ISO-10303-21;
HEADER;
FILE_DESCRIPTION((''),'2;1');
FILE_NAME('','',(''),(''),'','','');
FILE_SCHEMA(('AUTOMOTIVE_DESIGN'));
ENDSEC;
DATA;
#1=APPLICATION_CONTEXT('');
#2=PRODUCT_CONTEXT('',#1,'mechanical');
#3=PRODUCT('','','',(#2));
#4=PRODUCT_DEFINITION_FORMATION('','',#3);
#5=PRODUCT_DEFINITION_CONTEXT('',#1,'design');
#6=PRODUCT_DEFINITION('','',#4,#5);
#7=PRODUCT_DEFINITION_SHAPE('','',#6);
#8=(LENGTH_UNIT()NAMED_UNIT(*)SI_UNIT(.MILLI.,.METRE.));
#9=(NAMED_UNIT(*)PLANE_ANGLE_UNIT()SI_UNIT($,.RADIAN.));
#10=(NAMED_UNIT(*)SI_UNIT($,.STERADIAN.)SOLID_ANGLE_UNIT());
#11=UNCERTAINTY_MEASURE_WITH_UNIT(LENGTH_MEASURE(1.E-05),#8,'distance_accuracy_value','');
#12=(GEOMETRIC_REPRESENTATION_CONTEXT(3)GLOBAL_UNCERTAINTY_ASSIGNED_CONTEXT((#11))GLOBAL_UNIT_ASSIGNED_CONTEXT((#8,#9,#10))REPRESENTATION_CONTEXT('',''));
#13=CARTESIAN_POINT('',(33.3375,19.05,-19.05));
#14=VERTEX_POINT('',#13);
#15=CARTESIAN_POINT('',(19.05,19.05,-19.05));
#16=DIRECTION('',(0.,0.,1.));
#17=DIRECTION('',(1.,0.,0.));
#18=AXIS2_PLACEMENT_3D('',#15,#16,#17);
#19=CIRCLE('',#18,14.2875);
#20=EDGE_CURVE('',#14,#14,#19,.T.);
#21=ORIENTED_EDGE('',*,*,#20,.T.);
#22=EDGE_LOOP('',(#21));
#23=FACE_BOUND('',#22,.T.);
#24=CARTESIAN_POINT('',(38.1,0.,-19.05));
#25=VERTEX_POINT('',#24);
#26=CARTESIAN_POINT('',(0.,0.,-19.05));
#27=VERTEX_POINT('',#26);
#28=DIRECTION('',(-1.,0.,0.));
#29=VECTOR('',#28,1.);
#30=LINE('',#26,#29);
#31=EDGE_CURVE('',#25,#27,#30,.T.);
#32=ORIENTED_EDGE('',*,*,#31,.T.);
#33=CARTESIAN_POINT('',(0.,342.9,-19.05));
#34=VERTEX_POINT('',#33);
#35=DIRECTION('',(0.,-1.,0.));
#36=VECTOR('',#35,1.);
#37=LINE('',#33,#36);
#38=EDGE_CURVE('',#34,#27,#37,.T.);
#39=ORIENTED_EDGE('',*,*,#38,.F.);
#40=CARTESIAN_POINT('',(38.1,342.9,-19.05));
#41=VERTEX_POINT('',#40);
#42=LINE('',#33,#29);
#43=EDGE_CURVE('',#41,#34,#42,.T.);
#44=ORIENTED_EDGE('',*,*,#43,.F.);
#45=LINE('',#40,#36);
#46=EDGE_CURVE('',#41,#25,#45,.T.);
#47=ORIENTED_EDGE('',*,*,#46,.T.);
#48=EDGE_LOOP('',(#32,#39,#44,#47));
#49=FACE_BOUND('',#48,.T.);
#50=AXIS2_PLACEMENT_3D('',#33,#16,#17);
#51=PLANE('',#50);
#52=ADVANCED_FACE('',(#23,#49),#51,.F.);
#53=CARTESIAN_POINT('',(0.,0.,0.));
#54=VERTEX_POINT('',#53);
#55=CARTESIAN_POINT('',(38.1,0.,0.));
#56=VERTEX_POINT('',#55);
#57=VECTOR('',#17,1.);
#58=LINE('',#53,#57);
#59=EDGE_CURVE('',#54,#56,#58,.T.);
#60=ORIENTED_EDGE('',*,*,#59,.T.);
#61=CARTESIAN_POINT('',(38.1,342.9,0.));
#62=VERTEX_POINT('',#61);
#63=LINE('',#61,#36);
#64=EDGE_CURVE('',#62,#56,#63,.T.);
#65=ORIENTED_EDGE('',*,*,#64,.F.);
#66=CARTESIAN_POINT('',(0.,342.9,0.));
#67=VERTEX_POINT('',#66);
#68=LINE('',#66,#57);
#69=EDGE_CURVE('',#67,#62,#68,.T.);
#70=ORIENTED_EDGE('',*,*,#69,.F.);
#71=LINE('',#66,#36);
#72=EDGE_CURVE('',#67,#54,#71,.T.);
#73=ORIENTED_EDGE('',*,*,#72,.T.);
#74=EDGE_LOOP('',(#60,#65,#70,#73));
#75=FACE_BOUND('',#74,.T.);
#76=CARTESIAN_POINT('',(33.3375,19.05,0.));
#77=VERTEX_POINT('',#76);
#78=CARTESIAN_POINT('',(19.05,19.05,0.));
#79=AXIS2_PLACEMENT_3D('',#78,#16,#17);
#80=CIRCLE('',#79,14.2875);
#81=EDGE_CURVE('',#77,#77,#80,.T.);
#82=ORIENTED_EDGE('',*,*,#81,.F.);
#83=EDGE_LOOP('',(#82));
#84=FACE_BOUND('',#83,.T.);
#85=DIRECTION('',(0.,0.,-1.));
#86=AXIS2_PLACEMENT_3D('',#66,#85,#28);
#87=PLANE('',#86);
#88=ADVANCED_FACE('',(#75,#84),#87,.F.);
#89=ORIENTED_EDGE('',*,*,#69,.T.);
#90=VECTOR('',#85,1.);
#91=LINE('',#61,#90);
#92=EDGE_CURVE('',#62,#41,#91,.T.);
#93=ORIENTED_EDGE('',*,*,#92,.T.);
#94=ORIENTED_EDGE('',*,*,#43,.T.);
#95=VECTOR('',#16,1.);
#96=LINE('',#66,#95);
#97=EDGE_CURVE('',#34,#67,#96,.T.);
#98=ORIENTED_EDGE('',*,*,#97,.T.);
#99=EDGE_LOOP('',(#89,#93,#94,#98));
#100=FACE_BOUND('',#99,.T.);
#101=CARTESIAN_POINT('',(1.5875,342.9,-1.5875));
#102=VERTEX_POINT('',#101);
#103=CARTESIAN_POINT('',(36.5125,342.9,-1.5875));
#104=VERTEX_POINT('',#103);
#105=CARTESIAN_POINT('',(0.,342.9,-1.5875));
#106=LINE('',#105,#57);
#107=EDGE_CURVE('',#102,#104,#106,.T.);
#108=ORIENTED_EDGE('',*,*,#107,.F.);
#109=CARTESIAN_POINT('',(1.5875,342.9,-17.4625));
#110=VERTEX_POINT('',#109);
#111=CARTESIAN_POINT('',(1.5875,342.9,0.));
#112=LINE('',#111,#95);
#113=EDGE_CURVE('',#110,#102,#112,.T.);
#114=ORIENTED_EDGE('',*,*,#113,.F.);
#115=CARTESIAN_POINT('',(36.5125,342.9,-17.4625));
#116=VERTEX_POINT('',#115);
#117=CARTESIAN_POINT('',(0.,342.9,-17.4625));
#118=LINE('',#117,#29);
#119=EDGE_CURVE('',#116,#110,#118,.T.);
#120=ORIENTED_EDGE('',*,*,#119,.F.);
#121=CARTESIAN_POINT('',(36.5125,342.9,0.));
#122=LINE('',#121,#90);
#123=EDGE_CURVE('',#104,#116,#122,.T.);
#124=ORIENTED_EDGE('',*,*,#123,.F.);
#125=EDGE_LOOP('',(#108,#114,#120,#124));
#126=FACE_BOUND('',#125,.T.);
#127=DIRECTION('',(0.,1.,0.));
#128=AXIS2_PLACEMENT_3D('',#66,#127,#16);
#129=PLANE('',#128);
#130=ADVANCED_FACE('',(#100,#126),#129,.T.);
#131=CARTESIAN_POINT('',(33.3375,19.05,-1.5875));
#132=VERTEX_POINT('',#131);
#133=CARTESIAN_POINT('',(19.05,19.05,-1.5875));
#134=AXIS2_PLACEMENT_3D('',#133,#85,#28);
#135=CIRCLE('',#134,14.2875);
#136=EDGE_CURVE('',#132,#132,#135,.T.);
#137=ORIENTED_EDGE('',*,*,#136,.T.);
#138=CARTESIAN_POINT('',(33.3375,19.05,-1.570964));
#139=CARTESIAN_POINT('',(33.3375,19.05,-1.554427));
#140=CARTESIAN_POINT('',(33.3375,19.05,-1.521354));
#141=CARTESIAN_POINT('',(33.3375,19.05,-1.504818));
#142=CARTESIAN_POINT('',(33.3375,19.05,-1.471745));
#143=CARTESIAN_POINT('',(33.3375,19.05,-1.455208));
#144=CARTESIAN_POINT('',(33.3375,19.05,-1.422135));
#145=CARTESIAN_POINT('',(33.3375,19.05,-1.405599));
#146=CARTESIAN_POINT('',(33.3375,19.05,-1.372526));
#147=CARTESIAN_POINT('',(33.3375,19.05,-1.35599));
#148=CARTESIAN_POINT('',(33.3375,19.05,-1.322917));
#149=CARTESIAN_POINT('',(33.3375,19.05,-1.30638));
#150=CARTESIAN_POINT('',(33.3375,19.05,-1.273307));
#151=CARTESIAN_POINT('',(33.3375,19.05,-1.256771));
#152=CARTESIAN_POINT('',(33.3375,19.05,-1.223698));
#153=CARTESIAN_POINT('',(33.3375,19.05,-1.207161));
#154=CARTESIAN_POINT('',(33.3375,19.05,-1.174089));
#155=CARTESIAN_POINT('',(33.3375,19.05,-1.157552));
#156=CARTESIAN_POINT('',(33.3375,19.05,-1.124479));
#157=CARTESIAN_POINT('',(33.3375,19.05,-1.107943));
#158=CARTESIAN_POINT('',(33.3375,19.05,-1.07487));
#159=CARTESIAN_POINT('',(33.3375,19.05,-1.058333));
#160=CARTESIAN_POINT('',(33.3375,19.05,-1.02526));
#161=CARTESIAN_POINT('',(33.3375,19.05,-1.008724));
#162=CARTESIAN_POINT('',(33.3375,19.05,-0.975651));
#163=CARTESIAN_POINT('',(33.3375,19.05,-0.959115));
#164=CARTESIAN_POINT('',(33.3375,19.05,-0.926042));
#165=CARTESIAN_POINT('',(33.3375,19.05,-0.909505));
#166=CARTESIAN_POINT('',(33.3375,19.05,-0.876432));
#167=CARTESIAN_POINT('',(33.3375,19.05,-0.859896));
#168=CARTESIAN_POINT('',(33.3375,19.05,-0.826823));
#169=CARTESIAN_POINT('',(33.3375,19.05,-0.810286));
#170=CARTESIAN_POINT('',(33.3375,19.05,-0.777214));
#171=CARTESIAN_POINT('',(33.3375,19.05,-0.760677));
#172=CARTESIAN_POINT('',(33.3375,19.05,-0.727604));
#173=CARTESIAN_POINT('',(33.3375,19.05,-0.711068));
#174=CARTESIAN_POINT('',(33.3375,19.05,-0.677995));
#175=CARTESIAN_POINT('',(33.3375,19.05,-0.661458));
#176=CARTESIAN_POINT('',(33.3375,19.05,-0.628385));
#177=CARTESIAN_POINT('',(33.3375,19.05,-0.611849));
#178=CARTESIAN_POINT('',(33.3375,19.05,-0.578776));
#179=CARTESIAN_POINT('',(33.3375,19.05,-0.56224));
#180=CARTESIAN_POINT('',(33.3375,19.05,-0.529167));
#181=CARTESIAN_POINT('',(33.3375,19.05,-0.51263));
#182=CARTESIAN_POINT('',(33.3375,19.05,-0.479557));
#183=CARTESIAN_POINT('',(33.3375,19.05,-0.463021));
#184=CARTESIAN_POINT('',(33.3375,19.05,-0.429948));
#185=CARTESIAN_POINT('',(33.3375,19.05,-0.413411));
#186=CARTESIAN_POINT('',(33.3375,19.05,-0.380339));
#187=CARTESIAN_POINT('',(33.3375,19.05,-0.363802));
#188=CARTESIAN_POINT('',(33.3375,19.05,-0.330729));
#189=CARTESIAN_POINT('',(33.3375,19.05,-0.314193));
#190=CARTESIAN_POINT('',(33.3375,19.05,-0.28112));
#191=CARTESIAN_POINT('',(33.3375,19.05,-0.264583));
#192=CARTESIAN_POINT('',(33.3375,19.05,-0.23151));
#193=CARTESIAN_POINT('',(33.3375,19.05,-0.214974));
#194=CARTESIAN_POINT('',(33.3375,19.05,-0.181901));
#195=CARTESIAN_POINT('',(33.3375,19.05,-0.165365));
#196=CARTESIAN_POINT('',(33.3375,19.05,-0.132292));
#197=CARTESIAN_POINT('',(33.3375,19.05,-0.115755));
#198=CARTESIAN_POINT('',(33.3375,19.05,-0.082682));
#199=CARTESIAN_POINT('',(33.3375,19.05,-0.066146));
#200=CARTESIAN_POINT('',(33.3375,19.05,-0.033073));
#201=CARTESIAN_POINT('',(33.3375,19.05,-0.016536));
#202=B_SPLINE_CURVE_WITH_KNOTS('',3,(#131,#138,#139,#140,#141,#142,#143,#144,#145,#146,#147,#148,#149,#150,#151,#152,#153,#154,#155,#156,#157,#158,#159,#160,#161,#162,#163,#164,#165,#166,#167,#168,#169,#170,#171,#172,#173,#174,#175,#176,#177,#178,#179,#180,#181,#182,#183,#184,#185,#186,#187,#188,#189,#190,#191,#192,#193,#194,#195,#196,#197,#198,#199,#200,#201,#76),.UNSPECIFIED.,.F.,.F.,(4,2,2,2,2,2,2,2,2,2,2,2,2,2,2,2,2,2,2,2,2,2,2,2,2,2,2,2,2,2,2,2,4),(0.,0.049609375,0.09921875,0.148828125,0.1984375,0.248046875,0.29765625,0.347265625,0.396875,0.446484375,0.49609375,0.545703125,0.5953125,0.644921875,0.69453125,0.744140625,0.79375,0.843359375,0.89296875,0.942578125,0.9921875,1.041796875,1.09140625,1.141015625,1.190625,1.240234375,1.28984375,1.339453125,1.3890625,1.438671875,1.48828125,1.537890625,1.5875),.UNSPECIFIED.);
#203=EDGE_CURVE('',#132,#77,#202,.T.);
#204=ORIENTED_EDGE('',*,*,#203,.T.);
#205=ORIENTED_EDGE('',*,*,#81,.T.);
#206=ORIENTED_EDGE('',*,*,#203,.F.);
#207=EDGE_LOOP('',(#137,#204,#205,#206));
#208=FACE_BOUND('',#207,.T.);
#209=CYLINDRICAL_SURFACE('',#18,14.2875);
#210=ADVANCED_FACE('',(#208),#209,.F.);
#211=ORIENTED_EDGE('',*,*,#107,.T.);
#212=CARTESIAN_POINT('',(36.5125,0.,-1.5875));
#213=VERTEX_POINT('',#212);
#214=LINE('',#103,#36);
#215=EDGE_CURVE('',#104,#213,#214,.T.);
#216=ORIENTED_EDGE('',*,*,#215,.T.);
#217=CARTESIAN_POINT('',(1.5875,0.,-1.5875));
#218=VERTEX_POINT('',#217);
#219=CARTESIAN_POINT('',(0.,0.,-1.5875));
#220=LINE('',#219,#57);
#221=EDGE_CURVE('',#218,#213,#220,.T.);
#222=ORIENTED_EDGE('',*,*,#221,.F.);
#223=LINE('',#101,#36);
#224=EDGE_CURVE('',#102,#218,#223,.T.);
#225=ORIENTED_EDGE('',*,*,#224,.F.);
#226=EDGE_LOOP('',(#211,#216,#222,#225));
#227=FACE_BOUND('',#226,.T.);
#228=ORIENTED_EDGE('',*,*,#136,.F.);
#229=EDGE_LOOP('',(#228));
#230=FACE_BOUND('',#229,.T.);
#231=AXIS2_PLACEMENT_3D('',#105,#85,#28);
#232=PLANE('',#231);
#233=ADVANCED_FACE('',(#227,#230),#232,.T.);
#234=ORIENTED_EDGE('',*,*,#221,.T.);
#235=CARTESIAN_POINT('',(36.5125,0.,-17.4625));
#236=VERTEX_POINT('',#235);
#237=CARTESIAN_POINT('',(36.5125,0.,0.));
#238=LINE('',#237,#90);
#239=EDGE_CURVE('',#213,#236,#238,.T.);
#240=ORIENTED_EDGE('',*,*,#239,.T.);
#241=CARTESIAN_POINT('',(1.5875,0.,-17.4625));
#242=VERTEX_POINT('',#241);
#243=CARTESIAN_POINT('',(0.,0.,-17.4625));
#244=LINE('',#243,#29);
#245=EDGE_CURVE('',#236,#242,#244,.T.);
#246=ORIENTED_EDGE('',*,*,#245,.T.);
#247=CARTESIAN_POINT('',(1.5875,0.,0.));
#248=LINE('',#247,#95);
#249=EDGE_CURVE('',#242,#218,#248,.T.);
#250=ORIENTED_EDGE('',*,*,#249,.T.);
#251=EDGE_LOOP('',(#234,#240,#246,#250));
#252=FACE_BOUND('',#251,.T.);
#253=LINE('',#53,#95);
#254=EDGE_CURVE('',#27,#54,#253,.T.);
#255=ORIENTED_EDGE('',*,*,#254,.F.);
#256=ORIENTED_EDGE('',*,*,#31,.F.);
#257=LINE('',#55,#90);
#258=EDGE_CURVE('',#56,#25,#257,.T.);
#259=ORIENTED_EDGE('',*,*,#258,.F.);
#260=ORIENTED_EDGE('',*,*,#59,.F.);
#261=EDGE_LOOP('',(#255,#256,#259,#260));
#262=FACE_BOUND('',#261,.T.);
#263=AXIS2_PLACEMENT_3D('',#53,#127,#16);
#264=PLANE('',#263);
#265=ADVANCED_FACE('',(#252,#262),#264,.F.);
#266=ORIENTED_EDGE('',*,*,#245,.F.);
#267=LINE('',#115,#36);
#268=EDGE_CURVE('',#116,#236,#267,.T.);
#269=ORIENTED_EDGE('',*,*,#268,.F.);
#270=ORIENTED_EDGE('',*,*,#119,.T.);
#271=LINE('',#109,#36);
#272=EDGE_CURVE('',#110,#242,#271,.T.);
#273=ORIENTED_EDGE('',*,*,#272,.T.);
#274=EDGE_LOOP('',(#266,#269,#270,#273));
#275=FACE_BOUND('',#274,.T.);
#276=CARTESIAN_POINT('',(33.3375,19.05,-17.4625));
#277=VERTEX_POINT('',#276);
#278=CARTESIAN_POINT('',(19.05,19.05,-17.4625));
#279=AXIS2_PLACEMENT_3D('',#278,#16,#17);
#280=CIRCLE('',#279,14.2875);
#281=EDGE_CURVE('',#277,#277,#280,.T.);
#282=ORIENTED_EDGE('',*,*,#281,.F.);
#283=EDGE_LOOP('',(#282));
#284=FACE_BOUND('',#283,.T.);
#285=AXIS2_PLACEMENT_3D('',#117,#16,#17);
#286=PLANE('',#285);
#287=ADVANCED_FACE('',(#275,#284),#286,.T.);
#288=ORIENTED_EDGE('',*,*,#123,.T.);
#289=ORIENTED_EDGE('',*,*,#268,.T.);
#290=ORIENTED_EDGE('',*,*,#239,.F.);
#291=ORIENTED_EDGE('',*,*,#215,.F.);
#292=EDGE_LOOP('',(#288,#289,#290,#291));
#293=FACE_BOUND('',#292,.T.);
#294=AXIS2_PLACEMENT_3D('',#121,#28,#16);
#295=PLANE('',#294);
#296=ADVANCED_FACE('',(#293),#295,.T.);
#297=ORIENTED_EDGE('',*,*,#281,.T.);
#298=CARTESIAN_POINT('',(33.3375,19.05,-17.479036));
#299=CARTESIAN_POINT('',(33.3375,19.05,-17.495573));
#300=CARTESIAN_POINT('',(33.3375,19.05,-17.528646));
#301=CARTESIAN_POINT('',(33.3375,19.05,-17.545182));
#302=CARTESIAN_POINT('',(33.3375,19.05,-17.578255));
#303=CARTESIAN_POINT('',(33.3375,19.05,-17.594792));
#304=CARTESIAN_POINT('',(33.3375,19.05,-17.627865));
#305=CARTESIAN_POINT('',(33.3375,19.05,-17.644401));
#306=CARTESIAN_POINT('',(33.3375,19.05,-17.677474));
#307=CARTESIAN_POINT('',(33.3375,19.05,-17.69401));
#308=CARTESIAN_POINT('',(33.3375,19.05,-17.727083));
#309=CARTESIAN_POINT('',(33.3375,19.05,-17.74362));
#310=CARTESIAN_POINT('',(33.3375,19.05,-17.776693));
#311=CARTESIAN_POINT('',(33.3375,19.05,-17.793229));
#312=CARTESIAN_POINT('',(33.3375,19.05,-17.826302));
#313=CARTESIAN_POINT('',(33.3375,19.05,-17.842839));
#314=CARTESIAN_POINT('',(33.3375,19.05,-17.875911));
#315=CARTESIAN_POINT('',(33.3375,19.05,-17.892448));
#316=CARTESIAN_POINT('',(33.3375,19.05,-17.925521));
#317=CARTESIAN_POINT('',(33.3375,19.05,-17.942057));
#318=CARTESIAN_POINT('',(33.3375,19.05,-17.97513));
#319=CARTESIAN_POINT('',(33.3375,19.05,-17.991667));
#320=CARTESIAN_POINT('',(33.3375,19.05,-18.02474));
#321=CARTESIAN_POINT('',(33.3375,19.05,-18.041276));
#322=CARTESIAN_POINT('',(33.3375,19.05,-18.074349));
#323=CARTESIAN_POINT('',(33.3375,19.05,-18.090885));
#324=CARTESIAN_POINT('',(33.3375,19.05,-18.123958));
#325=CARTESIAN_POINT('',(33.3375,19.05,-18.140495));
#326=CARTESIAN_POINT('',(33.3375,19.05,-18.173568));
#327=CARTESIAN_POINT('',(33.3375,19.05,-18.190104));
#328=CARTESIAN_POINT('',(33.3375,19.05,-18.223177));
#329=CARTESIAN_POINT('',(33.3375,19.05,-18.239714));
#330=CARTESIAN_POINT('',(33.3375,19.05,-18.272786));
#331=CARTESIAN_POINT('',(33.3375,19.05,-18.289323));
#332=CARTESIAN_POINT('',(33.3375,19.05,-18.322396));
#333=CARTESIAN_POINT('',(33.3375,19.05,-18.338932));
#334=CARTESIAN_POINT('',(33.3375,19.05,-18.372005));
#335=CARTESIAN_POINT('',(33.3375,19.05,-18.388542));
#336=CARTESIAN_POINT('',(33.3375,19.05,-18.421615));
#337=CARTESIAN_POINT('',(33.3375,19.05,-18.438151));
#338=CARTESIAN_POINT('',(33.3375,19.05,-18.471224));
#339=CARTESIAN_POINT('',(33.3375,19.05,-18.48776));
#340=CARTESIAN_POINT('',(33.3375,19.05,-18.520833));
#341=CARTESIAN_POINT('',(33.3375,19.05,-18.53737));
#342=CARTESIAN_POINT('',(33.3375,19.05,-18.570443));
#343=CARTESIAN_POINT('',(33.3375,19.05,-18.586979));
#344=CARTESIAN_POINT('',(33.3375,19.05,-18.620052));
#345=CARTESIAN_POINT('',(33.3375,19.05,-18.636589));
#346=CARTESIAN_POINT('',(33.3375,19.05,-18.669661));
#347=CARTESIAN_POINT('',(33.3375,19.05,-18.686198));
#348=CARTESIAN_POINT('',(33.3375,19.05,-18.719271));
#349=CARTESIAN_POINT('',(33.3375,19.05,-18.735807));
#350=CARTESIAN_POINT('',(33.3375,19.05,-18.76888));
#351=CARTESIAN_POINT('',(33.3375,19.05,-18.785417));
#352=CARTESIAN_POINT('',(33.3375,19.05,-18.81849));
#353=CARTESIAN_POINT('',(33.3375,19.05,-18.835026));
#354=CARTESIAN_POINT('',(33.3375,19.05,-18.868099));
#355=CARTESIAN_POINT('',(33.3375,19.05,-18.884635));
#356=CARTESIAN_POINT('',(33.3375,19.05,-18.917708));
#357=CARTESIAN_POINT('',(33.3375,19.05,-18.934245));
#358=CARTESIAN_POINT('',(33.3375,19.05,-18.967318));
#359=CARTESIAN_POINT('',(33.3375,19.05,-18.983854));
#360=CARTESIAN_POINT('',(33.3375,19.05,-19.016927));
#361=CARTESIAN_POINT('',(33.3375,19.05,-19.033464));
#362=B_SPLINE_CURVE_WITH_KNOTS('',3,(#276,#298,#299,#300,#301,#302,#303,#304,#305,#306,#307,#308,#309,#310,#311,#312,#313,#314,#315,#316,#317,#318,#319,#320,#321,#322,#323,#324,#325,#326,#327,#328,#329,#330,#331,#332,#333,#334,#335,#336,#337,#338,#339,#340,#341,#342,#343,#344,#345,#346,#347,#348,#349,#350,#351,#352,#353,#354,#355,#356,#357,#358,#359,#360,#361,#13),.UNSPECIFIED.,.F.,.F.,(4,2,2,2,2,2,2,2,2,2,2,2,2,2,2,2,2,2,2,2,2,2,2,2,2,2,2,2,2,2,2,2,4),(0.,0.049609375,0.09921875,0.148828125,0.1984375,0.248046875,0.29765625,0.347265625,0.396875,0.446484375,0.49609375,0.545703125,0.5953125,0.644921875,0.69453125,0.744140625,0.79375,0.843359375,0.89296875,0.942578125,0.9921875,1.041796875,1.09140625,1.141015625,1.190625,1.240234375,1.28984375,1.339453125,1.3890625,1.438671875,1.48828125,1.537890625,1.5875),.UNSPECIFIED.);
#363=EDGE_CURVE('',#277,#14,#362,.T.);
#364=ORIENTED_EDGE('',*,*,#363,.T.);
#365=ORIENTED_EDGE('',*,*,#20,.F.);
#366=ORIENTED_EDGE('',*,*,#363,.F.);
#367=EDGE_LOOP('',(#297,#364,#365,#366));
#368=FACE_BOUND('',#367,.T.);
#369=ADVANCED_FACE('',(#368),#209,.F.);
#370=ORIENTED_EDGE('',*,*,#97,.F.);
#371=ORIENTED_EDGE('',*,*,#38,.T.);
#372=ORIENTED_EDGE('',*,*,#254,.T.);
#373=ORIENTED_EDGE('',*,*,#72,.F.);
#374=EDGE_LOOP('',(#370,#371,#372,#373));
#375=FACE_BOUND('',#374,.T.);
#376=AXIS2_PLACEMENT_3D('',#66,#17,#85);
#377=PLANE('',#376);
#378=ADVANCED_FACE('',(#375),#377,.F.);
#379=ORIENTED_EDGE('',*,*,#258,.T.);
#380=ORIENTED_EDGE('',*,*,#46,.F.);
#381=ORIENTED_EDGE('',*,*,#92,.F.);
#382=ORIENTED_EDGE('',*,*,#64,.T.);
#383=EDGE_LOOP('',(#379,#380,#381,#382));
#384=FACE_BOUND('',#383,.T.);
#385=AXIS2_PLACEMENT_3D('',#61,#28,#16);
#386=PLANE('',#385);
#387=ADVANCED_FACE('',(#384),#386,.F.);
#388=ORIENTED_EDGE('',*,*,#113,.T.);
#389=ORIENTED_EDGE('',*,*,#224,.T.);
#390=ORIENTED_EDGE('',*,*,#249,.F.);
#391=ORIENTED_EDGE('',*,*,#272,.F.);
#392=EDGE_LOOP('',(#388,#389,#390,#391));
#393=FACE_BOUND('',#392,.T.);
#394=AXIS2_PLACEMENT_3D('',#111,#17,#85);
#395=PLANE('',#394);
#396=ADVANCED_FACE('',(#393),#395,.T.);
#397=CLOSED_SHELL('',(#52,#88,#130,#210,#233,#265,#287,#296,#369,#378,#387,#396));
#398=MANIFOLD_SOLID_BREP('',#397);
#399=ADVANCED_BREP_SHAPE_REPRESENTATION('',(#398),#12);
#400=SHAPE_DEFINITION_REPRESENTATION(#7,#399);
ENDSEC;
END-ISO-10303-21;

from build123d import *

# Parameters (mm, degrees)
SKETCH1_W           = 38.1
SKETCH1_H           = 19.05
SKETCH1_W_2         = 34.925
SKETCH1_H_2         = 15.875
EXTRUDE_THIN1_DEPTH = 342.9
SKETCH3_R           = 14.2875
CUT_EXTRUDE2_DEPTH  = 346.535703654


with BuildPart() as part:
    # Sketch1 → Extrude-Thin1 (new body)
    with BuildSketch(Plane(origin=(0, 0, 0), x_dir=(1, 0, 0), z_dir=(0, 1, 0))):
        with Locations((19.05, 9.525)):
            Rectangle(SKETCH1_W, SKETCH1_H)
        with Locations((19.05, 9.525)):
            Rectangle(SKETCH1_W_2, SKETCH1_H_2, mode=Mode.SUBTRACT)
    extrude(amount=EXTRUDE_THIN1_DEPTH)

    # Sketch3 → Cut-Extrude2 (cut, through all)
    with BuildSketch(Plane.XY):
        with Locations((19.05, 19.05)):
            Circle(SKETCH3_R)
    extrude(amount=-CUT_EXTRUDE2_DEPTH, mode=Mode.SUBTRACT)


solid = part.part
